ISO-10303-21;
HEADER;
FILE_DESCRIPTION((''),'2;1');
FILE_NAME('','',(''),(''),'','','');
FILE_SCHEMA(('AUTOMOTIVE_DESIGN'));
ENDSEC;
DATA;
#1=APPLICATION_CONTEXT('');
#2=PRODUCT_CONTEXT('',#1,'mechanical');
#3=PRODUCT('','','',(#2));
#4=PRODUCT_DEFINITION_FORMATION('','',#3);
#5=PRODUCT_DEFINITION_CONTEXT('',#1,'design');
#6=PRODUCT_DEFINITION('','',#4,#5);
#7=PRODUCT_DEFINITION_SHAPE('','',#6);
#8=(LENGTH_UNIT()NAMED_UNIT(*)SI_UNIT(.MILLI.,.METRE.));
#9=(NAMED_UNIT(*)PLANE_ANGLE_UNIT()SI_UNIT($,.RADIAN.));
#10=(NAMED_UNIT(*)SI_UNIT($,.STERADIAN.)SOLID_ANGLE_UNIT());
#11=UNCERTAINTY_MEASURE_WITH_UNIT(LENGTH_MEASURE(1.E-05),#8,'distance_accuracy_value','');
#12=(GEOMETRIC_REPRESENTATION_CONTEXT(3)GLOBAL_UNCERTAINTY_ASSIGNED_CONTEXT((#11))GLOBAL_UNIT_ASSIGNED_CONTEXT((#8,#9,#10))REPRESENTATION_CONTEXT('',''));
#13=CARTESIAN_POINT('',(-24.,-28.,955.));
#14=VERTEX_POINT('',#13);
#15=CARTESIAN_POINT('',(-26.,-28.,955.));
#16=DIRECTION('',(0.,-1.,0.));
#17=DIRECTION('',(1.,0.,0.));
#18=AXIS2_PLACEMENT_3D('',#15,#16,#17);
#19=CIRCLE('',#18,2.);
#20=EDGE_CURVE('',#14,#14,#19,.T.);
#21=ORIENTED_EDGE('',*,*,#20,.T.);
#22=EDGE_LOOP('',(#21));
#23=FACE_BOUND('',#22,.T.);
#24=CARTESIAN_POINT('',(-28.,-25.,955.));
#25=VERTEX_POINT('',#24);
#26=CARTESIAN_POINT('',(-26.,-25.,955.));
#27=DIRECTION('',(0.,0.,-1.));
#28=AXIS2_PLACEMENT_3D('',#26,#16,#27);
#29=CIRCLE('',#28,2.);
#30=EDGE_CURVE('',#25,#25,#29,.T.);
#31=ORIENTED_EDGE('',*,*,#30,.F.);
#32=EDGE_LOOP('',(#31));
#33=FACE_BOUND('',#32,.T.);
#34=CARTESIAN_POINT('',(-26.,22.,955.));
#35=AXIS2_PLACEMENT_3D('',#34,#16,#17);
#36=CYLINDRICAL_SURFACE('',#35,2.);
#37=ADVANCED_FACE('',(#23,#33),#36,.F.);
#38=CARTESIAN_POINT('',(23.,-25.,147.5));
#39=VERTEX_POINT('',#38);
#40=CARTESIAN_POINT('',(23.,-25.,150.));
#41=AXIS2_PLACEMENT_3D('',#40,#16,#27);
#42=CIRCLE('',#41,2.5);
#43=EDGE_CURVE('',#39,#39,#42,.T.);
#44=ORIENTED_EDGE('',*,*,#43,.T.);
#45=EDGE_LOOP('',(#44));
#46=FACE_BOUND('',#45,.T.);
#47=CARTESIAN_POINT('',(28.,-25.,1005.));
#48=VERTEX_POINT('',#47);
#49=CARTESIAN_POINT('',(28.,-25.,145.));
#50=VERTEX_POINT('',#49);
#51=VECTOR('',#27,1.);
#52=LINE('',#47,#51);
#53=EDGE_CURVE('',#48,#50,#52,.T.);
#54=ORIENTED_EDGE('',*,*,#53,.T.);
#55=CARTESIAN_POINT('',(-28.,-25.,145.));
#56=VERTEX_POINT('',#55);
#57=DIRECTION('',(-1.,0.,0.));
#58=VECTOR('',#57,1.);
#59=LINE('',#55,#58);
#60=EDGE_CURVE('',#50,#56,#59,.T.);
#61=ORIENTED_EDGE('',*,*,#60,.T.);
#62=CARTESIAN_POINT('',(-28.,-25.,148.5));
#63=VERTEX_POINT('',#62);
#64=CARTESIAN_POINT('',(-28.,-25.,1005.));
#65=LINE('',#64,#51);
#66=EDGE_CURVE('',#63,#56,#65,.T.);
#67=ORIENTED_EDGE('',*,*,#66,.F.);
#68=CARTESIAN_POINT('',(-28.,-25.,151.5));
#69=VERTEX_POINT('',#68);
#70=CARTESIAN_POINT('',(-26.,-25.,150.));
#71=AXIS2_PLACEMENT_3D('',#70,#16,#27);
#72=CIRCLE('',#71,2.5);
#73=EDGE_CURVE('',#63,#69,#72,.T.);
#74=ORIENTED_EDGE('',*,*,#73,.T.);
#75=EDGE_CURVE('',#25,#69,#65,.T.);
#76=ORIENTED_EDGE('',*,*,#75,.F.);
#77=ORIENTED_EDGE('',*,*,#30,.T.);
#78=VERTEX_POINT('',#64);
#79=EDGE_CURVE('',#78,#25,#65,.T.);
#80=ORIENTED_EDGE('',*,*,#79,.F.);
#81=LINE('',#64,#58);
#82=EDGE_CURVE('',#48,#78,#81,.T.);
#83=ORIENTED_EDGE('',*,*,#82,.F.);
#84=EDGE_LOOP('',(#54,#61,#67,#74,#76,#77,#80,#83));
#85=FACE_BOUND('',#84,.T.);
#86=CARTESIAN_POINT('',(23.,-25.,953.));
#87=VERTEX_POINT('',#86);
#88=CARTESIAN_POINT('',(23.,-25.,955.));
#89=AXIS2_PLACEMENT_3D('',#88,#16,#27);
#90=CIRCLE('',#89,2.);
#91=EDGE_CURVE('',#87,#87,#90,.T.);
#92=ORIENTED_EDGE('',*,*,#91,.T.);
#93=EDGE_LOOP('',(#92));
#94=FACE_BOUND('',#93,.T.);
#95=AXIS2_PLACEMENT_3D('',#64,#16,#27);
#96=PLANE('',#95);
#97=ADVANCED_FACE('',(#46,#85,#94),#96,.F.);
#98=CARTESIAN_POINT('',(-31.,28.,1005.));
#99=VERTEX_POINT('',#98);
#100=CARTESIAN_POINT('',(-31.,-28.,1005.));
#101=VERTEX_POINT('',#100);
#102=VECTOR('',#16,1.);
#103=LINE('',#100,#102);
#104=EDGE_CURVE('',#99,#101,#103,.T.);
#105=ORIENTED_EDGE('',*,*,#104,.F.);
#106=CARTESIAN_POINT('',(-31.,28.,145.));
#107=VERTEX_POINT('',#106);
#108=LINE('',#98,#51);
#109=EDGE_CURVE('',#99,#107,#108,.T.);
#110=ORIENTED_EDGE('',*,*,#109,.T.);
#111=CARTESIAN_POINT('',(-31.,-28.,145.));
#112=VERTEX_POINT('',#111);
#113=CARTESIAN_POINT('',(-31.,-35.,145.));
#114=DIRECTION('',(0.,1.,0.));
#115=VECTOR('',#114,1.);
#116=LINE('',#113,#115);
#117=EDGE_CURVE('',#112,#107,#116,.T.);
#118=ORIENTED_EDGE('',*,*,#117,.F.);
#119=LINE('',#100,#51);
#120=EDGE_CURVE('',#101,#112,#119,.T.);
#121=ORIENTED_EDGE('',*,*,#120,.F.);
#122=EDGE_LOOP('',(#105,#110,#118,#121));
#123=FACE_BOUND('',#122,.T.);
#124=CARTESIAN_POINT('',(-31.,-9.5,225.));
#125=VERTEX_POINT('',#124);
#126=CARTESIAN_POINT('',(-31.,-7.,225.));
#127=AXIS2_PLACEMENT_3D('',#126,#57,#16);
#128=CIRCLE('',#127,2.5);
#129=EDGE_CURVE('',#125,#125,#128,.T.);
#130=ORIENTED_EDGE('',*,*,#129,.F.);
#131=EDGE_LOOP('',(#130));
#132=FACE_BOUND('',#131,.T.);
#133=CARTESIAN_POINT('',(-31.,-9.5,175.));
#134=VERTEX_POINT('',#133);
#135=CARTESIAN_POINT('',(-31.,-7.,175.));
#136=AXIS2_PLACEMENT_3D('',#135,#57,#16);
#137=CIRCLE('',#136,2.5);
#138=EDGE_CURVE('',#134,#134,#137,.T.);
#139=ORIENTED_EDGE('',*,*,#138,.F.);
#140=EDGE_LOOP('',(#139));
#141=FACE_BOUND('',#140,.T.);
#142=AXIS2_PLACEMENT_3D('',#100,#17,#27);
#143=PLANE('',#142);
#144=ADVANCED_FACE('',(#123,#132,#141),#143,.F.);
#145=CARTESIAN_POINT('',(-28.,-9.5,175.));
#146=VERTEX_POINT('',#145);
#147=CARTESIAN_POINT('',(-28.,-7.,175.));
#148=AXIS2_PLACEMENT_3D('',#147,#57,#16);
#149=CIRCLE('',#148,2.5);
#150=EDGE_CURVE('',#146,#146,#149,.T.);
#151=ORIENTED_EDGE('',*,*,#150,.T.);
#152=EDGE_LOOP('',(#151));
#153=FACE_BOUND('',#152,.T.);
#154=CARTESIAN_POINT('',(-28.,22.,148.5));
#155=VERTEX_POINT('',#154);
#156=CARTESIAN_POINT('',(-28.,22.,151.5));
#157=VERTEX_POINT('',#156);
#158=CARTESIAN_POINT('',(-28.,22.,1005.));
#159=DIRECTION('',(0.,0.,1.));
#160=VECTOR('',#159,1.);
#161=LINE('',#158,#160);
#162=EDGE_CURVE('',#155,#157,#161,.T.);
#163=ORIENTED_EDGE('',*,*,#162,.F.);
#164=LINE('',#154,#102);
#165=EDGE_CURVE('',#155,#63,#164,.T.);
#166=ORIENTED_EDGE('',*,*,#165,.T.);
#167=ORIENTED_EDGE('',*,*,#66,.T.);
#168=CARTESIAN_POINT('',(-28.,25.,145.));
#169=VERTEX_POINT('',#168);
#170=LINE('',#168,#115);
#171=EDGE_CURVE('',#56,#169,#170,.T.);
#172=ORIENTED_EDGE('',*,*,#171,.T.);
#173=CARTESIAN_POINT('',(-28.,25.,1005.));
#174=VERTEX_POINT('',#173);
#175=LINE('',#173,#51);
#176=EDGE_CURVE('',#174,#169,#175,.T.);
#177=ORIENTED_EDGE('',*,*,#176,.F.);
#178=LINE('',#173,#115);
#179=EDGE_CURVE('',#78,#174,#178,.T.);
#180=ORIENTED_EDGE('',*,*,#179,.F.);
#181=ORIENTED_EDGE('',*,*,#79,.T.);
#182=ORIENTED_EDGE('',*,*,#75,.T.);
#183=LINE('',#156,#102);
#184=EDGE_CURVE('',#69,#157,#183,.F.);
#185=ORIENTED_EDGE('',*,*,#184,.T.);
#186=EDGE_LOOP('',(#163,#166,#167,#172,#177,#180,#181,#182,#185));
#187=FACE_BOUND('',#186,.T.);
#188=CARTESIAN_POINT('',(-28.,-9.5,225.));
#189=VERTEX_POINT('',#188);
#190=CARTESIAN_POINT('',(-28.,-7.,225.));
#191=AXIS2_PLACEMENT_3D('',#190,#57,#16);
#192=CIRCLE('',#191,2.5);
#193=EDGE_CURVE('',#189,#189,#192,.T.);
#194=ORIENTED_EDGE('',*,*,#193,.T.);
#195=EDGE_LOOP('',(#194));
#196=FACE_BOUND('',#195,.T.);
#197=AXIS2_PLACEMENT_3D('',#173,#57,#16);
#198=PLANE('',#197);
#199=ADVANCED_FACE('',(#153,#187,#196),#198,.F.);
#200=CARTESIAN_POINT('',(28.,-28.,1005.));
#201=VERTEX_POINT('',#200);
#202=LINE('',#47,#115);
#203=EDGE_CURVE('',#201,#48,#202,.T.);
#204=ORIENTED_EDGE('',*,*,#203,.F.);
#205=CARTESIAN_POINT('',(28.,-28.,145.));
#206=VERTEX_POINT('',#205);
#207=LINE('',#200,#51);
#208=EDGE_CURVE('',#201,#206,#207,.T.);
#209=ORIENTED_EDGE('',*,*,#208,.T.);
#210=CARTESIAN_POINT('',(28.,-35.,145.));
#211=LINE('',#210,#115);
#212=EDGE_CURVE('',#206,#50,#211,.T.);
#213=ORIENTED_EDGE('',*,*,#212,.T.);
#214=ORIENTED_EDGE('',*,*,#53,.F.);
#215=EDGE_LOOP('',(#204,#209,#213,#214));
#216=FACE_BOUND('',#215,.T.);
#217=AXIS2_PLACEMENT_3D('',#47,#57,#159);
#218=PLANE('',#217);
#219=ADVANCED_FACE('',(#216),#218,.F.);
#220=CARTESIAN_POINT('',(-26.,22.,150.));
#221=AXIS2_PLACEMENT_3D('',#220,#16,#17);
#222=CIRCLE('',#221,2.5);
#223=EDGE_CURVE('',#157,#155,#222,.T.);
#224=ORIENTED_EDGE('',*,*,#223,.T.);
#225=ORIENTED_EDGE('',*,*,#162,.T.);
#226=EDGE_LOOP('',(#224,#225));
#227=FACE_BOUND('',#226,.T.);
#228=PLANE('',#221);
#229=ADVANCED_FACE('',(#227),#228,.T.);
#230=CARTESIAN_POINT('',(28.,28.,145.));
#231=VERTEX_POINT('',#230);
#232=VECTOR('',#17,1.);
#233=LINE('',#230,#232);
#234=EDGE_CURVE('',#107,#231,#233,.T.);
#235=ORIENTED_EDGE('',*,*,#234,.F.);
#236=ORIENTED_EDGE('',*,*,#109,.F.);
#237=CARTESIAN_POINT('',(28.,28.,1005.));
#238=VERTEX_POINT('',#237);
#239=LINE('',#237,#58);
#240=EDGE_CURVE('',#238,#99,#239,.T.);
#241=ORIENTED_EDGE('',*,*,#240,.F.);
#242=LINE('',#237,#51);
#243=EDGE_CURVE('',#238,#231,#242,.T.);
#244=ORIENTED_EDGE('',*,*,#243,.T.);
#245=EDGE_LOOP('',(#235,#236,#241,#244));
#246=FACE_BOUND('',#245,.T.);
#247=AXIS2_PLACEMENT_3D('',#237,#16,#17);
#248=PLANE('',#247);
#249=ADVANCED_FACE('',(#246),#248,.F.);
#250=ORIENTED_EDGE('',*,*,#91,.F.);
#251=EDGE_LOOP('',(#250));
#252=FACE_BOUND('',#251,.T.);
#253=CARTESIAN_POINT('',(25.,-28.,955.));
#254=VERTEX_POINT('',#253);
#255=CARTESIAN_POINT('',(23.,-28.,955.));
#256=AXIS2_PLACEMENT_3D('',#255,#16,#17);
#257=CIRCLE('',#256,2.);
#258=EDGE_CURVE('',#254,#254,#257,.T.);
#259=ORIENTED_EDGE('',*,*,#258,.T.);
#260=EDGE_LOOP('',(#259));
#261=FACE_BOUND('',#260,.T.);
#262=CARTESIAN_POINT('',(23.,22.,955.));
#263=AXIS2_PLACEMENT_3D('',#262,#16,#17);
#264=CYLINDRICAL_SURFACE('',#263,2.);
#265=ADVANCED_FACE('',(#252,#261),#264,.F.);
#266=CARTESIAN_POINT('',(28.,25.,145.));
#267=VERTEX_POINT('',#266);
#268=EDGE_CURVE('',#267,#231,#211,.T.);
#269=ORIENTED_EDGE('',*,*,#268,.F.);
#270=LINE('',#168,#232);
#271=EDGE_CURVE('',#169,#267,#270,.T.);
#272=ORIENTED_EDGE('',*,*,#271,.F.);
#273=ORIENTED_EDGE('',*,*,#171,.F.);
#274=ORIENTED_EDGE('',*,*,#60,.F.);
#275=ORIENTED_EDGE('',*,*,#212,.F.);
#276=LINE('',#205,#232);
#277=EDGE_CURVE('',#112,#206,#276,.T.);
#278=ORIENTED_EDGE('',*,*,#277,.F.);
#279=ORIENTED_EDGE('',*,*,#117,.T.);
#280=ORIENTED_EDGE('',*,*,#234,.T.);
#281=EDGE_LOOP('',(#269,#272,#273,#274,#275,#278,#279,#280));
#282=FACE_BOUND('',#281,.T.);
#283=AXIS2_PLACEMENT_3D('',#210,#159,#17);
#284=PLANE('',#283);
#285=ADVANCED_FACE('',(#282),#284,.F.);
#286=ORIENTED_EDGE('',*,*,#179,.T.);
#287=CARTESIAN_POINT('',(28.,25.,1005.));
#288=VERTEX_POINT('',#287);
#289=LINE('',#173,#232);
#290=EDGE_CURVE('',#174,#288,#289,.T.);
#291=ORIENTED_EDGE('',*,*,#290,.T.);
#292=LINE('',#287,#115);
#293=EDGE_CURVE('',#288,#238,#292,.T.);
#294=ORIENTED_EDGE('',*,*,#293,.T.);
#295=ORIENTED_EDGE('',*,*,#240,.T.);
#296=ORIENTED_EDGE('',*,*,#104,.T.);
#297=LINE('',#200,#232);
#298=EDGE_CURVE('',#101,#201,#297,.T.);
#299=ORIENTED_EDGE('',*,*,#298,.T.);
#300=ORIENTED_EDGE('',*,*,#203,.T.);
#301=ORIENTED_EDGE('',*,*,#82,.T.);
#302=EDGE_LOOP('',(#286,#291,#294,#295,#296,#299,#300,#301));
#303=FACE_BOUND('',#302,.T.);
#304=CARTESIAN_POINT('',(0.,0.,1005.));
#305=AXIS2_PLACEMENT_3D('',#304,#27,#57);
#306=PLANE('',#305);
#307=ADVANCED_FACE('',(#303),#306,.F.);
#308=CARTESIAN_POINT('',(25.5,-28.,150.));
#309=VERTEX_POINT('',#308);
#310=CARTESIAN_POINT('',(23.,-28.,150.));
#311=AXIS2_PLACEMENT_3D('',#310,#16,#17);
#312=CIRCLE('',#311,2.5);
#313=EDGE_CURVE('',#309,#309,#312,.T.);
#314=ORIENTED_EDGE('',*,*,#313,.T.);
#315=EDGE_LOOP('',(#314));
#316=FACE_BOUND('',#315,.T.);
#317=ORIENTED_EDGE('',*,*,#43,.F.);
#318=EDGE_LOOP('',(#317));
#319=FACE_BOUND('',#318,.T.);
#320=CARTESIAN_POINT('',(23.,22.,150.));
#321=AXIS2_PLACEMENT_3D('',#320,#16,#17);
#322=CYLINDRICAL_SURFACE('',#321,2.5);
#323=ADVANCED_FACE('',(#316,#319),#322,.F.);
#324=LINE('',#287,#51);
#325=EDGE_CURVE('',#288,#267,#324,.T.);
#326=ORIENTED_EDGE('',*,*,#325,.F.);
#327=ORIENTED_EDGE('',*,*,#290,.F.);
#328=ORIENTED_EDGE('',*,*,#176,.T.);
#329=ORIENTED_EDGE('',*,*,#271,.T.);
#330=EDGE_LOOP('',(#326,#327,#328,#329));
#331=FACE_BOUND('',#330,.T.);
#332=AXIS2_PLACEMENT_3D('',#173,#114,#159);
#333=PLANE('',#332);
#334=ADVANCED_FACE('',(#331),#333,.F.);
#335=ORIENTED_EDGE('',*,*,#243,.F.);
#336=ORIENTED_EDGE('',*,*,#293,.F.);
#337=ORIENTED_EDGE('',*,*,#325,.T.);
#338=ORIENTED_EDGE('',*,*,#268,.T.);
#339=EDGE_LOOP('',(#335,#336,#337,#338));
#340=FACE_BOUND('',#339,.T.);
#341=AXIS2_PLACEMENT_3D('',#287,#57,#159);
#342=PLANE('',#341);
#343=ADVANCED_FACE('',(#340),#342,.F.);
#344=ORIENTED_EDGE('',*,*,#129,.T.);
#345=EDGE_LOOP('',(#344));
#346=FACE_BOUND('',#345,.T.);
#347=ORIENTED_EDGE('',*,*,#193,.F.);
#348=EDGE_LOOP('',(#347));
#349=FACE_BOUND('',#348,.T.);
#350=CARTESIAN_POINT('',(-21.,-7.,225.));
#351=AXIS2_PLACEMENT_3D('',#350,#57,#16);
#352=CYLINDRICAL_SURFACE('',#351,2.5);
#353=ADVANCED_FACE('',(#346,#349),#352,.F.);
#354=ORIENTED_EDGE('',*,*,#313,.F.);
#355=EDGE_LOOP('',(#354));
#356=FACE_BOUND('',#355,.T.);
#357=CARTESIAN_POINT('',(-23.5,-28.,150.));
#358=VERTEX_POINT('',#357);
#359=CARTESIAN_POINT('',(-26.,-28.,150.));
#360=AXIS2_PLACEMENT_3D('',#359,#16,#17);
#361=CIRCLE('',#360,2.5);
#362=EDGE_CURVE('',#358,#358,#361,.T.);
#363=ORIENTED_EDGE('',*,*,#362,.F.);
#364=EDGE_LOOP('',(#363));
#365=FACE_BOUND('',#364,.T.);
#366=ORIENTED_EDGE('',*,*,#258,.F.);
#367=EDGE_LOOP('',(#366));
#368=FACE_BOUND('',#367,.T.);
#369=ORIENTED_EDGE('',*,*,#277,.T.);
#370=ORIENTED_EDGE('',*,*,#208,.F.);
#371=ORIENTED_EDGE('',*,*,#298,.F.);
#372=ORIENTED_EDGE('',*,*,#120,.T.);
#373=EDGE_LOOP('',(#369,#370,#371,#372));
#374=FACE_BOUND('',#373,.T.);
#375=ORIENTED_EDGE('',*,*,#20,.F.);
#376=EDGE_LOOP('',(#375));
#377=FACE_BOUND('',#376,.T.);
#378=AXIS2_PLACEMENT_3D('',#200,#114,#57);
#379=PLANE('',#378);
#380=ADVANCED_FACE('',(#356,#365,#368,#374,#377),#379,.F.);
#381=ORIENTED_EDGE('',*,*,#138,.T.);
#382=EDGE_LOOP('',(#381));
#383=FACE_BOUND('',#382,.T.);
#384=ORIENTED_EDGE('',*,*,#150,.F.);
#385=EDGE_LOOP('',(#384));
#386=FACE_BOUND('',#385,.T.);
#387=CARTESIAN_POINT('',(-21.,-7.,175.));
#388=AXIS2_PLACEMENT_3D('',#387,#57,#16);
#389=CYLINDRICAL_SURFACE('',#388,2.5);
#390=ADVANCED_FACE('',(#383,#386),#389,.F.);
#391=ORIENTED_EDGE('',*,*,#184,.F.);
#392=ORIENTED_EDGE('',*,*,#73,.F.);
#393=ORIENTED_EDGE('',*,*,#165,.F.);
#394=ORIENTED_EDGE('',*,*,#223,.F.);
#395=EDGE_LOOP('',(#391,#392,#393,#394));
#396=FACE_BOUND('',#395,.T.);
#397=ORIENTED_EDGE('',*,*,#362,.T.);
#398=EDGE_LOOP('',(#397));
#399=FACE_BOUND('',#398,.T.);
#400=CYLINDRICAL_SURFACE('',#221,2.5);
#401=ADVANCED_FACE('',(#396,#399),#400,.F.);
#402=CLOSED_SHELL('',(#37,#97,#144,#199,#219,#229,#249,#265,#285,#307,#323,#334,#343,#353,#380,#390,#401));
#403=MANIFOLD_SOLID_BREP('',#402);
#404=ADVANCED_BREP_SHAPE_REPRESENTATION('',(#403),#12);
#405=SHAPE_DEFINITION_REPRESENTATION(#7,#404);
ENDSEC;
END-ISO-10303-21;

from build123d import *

# Parameters (mm, degrees)
ESTRUSIONE_ESTRUSIONE1_DEPTH = 1005
SCHIZZO2_R                   = 2
TAGLIO_ESTRUSIONE1_DEPTH     = 50
SCHIZZO3_R                   = 2.5
TAGLIO_ESTRUSIONE2_DEPTH     = 50
SCHIZZO4_W                   = 59
SCHIZZO4_H                   = 145
TAGLIO_ESTRUSIONE3_DEPTH     = 63
SCHIZZO8_R                   = 2.5
TAGLIO_ESTRUSIONE5_DEPTH     = 10


with BuildPart() as part:
    # Schizzo1 → Estrusione-Estrusione1 (new body)
    with BuildSketch(Plane.XY):
        Polygon((28, -25), (28, -28), (-31, -28), (-31, 28), (28, 28), (28, 25), (-28, 25), (-28, -25), align=None)
    extrude(amount=ESTRUSIONE_ESTRUSIONE1_DEPTH)

    # Schizzo2 → Taglio-Estrusione1 (cut)
    with BuildSketch(Plane(origin=(0, -28, 0), x_dir=(-1, 0, 0), z_dir=(0, -1, 0))):
        with Locations((-23, -955)):
            Circle(SCHIZZO2_R)
        with Locations((26, -955)):
            Circle(SCHIZZO2_R)
    extrude(amount=-TAGLIO_ESTRUSIONE1_DEPTH, mode=Mode.SUBTRACT)

    # Schizzo3 → Taglio-Estrusione2 (cut)
    with BuildSketch(Plane(origin=(0, -28, 0), x_dir=(-1, 0, 0), z_dir=(0, -1, 0))):
        with Locations((26, -150)):
            Circle(SCHIZZO3_R)
        with Locations((-23, -150)):
            Circle(SCHIZZO3_R)
    extrude(amount=-TAGLIO_ESTRUSIONE2_DEPTH, mode=Mode.SUBTRACT)

    # Schizzo4 → Taglio-Estrusione3 (cut)
    with BuildSketch(Plane(origin=(0, 28, 0), x_dir=(1, 0, 0), z_dir=(0, 1, 0))):
        with Locations((-1.5, -72.5)):
            Rectangle(SCHIZZO4_W, SCHIZZO4_H)
    extrude(amount=-TAGLIO_ESTRUSIONE3_DEPTH, mode=Mode.SUBTRACT)

    # Schizzo8 → Taglio-Estrusione5 (cut)
    with BuildSketch(Plane.ZY.offset(31)):
        with Locations((175, -7)):
            Circle(SCHIZZO8_R)
        with Locations((225, -7)):
            Circle(SCHIZZO8_R)
    extrude(amount=-TAGLIO_ESTRUSIONE5_DEPTH, mode=Mode.SUBTRACT)


solid = part.part
